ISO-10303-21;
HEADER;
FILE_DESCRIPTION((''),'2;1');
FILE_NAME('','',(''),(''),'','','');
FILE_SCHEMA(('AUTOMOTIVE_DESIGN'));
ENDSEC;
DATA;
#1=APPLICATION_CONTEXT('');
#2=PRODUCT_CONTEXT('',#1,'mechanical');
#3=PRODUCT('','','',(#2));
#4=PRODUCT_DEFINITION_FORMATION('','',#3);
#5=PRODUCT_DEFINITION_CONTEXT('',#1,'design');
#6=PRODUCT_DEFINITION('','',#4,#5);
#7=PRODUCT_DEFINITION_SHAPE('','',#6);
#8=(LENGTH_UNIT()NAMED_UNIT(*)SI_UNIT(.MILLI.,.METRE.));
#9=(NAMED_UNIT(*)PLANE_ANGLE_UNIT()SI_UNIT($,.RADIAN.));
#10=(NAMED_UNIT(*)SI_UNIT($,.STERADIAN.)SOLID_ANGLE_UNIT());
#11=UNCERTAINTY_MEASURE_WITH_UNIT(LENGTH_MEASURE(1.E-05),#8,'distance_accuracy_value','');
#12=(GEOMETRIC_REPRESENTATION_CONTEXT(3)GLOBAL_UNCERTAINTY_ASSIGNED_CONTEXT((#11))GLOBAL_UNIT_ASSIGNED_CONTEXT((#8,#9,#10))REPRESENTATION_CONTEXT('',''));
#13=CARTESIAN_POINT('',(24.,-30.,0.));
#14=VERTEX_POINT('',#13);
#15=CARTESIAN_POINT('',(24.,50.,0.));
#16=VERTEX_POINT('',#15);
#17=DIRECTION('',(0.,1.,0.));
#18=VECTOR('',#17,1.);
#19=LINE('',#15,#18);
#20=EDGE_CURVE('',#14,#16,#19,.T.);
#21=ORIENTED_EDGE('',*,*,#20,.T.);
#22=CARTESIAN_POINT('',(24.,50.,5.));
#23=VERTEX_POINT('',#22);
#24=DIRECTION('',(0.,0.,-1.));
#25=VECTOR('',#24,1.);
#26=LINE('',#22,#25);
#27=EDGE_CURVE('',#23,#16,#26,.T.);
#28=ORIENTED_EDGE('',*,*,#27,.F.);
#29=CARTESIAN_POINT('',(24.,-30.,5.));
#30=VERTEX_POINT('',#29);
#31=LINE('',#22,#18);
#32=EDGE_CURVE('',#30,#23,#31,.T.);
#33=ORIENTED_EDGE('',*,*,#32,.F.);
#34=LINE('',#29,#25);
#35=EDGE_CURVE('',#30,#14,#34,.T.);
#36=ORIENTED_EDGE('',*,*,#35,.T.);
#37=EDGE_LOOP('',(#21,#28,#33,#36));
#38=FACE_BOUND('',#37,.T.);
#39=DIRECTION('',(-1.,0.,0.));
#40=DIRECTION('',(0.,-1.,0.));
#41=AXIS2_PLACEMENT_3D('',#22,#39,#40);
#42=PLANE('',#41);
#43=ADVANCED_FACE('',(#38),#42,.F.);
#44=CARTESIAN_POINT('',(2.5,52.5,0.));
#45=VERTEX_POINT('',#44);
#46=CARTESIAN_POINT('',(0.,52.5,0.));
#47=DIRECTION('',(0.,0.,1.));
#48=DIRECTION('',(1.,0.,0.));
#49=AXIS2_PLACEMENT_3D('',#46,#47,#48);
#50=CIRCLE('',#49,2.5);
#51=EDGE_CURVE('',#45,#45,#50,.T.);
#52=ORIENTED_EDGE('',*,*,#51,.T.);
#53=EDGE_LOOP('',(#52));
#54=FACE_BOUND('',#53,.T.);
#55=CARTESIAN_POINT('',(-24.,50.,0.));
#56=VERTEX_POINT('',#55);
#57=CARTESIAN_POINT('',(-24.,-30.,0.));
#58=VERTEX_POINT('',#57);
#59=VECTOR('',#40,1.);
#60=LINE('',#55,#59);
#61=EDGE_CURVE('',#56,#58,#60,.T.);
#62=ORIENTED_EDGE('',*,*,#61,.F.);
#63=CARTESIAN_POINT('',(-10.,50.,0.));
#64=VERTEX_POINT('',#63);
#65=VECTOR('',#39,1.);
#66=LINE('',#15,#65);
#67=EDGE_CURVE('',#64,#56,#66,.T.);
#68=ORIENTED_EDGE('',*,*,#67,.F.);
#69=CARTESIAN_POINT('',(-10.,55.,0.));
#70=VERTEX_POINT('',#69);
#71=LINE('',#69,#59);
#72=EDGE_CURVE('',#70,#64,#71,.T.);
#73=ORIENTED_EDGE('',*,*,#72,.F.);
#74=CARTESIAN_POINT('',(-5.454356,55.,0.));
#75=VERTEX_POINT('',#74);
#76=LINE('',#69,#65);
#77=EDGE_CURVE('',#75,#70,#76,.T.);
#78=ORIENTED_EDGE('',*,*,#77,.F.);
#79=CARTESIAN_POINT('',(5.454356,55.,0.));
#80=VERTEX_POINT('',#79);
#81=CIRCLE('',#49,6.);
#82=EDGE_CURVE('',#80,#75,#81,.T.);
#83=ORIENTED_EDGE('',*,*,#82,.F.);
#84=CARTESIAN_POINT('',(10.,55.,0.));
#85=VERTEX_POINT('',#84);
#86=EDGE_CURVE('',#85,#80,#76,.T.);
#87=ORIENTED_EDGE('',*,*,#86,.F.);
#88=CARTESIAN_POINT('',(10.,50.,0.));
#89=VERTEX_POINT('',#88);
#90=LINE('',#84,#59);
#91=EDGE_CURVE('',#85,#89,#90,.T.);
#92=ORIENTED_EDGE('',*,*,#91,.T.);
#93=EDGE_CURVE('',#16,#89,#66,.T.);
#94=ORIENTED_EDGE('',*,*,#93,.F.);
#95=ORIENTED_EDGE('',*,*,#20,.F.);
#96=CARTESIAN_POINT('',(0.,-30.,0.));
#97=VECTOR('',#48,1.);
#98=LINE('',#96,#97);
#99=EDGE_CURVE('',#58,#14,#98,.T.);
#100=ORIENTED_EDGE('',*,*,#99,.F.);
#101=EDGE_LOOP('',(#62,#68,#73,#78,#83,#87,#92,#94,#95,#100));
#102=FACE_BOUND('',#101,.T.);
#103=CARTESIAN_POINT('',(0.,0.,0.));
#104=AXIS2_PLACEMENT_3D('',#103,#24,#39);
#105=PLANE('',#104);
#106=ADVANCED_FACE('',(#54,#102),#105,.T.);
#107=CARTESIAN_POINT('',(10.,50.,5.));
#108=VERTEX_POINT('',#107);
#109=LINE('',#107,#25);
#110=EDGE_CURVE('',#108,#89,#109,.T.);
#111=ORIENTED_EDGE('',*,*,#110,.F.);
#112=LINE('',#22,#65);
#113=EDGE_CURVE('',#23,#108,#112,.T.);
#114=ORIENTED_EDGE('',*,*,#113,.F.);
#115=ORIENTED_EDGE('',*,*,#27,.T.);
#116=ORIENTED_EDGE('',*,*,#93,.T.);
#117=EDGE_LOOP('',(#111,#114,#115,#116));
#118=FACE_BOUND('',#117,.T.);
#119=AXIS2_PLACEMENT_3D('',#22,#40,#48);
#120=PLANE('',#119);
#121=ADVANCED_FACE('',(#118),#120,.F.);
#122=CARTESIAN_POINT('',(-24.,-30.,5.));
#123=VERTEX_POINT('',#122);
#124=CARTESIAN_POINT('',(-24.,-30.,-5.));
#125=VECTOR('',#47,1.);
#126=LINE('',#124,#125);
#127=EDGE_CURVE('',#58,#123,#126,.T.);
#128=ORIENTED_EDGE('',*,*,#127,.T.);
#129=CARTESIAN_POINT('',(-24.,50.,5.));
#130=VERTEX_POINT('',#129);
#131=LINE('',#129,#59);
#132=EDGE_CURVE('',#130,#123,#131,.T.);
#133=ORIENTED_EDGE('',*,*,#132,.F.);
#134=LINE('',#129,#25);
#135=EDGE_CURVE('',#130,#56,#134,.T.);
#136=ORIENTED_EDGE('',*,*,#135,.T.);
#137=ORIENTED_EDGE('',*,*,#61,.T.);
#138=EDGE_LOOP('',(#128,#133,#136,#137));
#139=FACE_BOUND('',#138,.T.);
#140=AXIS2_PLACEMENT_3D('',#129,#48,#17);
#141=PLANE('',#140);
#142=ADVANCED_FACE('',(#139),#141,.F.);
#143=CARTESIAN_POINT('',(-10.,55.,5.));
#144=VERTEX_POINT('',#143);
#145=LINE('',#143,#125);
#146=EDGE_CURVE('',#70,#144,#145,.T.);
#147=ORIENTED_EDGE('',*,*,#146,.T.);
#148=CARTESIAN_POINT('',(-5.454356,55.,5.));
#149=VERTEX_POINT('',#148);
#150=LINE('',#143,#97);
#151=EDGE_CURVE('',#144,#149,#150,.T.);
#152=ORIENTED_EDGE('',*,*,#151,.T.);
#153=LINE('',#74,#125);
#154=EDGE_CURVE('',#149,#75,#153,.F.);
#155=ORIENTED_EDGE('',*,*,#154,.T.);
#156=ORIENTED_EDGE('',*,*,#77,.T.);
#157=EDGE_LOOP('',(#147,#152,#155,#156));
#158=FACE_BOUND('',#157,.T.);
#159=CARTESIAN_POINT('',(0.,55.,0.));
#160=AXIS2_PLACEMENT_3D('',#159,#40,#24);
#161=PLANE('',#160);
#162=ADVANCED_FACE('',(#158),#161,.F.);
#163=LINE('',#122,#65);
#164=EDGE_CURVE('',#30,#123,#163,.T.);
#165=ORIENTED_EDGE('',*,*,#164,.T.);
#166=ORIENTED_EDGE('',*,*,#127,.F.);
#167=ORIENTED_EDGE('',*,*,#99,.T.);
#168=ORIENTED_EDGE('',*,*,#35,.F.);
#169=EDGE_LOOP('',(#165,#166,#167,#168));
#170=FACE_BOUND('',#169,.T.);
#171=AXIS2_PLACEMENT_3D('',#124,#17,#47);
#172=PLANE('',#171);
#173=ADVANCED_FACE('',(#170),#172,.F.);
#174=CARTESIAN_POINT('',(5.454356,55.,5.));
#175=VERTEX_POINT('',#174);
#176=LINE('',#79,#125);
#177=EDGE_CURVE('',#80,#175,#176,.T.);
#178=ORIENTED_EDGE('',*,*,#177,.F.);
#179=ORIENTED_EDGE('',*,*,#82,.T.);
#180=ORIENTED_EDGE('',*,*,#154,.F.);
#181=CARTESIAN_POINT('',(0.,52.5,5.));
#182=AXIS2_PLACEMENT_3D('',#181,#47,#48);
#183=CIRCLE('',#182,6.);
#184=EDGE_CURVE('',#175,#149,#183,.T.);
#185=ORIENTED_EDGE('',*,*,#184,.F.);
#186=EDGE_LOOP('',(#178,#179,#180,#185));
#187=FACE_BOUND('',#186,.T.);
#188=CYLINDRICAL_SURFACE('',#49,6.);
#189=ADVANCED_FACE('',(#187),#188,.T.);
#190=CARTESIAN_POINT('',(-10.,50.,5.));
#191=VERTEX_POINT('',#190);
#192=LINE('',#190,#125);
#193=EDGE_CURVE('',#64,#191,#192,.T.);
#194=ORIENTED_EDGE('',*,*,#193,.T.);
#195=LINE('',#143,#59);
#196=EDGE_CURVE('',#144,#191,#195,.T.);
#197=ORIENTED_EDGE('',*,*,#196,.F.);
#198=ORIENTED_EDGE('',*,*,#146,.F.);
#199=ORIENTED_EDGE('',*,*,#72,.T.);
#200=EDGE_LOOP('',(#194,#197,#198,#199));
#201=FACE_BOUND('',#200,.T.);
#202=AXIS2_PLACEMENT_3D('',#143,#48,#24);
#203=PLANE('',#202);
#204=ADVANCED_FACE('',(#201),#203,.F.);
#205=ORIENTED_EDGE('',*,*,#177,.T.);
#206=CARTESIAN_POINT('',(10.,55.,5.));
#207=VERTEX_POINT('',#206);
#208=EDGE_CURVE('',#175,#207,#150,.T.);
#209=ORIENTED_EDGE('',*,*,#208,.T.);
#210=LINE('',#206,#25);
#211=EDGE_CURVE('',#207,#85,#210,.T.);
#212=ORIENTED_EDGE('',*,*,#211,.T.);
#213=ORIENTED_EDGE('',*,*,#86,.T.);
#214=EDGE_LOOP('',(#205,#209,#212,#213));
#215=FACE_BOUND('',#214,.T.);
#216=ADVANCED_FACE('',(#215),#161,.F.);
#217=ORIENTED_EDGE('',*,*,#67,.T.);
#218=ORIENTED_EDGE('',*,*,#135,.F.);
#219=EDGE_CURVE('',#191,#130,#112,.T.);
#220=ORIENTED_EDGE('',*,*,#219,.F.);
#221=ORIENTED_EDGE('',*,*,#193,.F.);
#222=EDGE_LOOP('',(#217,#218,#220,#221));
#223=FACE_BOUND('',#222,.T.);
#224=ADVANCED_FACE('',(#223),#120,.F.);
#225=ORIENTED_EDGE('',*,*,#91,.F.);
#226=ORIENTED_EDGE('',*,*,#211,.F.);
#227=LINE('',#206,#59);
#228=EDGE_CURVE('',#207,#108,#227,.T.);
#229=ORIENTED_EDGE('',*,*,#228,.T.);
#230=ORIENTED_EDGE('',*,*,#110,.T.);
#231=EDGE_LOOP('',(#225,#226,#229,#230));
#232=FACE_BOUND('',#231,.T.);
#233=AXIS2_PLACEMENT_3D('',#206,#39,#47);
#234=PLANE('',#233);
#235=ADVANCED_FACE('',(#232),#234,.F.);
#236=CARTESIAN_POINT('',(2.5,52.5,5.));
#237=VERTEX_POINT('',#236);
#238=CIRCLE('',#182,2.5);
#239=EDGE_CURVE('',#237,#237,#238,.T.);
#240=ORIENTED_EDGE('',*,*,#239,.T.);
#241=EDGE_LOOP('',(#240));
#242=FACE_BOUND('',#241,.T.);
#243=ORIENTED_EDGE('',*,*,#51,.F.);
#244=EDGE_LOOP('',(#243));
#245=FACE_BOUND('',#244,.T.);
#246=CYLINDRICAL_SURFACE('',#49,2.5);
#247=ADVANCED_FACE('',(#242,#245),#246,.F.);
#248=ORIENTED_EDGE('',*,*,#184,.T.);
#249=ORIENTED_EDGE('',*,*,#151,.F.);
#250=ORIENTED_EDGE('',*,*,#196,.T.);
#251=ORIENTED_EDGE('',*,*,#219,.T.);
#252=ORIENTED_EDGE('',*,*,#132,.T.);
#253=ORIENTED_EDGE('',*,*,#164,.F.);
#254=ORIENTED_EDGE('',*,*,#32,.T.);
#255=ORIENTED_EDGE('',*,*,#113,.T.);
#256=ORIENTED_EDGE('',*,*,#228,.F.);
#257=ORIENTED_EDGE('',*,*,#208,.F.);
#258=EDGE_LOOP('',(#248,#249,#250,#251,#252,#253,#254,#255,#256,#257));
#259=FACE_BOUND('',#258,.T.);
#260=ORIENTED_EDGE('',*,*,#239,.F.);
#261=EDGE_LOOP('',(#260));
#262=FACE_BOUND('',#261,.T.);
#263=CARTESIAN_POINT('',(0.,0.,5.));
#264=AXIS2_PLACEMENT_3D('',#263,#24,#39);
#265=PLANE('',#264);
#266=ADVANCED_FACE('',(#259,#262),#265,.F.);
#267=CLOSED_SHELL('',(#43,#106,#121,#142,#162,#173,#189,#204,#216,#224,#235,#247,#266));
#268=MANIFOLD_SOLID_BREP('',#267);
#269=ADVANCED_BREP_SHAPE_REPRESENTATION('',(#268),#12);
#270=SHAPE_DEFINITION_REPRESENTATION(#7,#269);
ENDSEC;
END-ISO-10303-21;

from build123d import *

# Parameters (mm, degrees)
SKETCH1_W           = 48
SKETCH1_H           = 100
BOSS_EXTRUDE1_DEPTH = 5
SKETCH2_W           = 20
SKETCH2_H           = 5
BOSS_EXTRUDE2_DEPTH = 5
SKETCH3_R           = 6
BOSS_EXTRUDE3_DEPTH = 5
SKETCH4_R           = 2.5
CUT_EXTRUDE1_DEPTH  = 5
SKETCH5_W           = 53.859094163
SKETCH5_H           = 28.820783856
CUT_EXTRUDE2_DEPTH  = 10


with BuildPart() as part:
    # Sketch1 → Boss-Extrude1 (new body)
    with BuildSketch(Plane.XY):
        Rectangle(SKETCH1_W, SKETCH1_H)
    extrude(amount=BOSS_EXTRUDE1_DEPTH)

    # Sketch2 → Boss-Extrude2 (add)
    with BuildSketch(Plane(origin=(0, 50, 0), x_dir=(1, 0, 0), z_dir=(0, 1, 0))):
        with Locations((0, -2.5)):
            Rectangle(SKETCH2_W, SKETCH2_H)
    boss_extrude2 = extrude(amount=BOSS_EXTRUDE2_DEPTH)

    # Mirror1: Boss-Extrude2 across plane
    add(boss_extrude2.mirror(Plane.ZX))

    # Sketch3 → Boss-Extrude3 (add)
    with BuildSketch(Plane.XY.offset(5)):
        with Locations((0, 52.5)):
            Circle(SKETCH3_R)
    boss_extrude3 = extrude(amount=-BOSS_EXTRUDE3_DEPTH)

    # Sketch4 → Cut-Extrude1 (cut)
    with BuildSketch(Plane.XY.offset(5)):
        with Locations((0, 52.5)):
            Circle(SKETCH4_R)
    cut_extrude1 = extrude(amount=-CUT_EXTRUDE1_DEPTH, mode=Mode.SUBTRACT)

    # Mirror2: Boss-Extrude3, Cut-Extrude1 across plane
    add(boss_extrude3.mirror(Plane.ZX))
    add(cut_extrude1.mirror(Plane.ZX), mode=Mode.SUBTRACT)

    # Sketch5 → Cut-Extrude2 (cut)
    with BuildSketch(Plane.XY.offset(5)):
        with Locations((2.929547082, -44.410391928)):
            Rectangle(SKETCH5_W, SKETCH5_H)
    extrude(amount=-CUT_EXTRUDE2_DEPTH, mode=Mode.SUBTRACT)


solid = part.part
